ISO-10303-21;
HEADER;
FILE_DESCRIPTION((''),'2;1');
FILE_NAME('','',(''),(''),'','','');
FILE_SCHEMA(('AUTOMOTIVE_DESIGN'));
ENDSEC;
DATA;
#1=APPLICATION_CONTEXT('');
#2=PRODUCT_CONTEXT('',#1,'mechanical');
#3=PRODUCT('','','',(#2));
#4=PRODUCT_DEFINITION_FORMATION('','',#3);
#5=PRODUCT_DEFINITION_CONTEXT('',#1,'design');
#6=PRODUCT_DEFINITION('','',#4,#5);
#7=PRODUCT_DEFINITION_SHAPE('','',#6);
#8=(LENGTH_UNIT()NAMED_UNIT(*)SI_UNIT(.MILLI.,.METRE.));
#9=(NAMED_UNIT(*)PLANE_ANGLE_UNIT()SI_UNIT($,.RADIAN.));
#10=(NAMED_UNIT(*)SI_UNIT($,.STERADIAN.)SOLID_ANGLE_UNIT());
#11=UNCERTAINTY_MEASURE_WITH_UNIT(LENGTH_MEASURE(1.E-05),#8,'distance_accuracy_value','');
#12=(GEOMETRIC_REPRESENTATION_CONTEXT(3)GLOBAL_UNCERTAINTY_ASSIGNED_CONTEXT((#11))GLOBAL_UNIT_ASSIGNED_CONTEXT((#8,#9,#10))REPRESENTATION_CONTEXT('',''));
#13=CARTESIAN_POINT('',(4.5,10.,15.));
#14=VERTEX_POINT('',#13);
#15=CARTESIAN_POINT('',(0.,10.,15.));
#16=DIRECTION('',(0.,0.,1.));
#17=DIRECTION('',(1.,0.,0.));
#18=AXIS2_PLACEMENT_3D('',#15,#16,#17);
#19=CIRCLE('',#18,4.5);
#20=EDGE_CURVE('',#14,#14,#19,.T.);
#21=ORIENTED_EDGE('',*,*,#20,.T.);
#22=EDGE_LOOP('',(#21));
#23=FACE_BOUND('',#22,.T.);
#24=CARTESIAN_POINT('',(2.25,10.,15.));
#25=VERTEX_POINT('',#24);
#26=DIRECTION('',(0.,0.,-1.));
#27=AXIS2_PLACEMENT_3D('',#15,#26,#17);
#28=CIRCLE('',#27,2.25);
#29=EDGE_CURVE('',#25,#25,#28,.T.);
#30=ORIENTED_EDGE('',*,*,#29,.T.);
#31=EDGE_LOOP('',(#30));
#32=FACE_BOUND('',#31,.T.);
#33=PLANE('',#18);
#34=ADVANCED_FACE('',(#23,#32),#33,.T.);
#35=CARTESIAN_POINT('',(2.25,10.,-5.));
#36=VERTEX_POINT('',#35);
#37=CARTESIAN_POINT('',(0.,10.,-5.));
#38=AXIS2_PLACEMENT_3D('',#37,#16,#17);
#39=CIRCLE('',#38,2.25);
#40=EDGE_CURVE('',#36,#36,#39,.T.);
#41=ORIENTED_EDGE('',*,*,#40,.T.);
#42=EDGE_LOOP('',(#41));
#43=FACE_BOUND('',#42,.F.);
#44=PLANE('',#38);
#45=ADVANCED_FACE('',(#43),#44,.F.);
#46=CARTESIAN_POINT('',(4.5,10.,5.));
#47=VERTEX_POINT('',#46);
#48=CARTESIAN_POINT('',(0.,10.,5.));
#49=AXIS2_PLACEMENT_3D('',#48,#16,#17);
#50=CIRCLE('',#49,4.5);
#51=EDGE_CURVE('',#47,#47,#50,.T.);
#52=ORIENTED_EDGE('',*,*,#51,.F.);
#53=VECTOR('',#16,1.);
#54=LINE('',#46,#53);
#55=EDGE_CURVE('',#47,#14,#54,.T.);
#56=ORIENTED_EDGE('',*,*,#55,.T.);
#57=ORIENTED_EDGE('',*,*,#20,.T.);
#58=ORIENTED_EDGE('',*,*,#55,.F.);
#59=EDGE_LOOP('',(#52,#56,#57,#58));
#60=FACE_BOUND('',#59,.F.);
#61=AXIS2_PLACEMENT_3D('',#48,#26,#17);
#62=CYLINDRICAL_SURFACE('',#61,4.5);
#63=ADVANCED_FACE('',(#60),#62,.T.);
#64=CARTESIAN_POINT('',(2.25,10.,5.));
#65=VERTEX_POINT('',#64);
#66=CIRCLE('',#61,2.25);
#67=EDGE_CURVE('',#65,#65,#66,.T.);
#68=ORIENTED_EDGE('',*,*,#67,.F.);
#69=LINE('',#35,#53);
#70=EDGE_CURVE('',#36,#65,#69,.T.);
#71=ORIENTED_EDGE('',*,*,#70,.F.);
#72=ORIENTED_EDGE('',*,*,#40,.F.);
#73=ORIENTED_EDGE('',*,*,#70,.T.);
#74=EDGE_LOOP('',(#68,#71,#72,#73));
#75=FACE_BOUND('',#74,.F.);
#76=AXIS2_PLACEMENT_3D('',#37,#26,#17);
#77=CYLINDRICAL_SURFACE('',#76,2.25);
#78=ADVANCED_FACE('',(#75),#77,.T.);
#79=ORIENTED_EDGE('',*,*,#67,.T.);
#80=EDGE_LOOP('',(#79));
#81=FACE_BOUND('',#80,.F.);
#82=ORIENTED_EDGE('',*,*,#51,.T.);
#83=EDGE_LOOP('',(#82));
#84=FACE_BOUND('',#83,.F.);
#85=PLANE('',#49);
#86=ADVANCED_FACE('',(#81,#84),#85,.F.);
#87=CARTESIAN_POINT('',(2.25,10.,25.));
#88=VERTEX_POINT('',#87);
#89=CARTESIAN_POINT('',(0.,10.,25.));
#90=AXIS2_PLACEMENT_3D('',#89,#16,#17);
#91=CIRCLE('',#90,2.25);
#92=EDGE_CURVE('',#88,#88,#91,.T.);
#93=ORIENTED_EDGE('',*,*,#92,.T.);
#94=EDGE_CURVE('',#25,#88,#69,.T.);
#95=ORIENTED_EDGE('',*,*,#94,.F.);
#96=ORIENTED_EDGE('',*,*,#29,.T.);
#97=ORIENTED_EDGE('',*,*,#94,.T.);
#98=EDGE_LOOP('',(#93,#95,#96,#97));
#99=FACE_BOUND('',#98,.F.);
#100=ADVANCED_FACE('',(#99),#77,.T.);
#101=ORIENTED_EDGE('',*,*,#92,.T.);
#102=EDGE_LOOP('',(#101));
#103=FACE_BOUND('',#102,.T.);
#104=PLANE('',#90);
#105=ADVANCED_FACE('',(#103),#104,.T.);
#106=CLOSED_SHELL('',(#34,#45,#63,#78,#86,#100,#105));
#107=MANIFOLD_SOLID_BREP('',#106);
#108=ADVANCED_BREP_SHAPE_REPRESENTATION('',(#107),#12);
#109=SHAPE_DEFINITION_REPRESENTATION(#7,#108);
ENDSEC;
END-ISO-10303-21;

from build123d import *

# Parameters (mm, degrees)
CYLINDER002_R     = 4.5
CYLINDER002_DEPTH = 10
CYLINDER003_R     = 2.25
CYLINDER003_DEPTH = 30


with BuildPart() as cylinder002:
    # Cylinder002 → Cylinder002 (new body)
    with BuildSketch(Plane(origin=(0, 10, 5), x_dir=(1, 0, 0), z_dir=(0, 0, 1))):
        Circle(CYLINDER002_R)
    extrude(amount=CYLINDER002_DEPTH)


with BuildPart() as fusion002:
    # Cylinder003 → Cylinder003 (new body)
    with BuildSketch(Plane(origin=(0, 10, -5), x_dir=(1, 0, 0), z_dir=(0, 0, 1))):
        Circle(CYLINDER003_R)
    extrude(amount=CYLINDER003_DEPTH)

    # Fusion002: union Cylinder002
    add(cylinder002.part)


solid = fusion002.part
